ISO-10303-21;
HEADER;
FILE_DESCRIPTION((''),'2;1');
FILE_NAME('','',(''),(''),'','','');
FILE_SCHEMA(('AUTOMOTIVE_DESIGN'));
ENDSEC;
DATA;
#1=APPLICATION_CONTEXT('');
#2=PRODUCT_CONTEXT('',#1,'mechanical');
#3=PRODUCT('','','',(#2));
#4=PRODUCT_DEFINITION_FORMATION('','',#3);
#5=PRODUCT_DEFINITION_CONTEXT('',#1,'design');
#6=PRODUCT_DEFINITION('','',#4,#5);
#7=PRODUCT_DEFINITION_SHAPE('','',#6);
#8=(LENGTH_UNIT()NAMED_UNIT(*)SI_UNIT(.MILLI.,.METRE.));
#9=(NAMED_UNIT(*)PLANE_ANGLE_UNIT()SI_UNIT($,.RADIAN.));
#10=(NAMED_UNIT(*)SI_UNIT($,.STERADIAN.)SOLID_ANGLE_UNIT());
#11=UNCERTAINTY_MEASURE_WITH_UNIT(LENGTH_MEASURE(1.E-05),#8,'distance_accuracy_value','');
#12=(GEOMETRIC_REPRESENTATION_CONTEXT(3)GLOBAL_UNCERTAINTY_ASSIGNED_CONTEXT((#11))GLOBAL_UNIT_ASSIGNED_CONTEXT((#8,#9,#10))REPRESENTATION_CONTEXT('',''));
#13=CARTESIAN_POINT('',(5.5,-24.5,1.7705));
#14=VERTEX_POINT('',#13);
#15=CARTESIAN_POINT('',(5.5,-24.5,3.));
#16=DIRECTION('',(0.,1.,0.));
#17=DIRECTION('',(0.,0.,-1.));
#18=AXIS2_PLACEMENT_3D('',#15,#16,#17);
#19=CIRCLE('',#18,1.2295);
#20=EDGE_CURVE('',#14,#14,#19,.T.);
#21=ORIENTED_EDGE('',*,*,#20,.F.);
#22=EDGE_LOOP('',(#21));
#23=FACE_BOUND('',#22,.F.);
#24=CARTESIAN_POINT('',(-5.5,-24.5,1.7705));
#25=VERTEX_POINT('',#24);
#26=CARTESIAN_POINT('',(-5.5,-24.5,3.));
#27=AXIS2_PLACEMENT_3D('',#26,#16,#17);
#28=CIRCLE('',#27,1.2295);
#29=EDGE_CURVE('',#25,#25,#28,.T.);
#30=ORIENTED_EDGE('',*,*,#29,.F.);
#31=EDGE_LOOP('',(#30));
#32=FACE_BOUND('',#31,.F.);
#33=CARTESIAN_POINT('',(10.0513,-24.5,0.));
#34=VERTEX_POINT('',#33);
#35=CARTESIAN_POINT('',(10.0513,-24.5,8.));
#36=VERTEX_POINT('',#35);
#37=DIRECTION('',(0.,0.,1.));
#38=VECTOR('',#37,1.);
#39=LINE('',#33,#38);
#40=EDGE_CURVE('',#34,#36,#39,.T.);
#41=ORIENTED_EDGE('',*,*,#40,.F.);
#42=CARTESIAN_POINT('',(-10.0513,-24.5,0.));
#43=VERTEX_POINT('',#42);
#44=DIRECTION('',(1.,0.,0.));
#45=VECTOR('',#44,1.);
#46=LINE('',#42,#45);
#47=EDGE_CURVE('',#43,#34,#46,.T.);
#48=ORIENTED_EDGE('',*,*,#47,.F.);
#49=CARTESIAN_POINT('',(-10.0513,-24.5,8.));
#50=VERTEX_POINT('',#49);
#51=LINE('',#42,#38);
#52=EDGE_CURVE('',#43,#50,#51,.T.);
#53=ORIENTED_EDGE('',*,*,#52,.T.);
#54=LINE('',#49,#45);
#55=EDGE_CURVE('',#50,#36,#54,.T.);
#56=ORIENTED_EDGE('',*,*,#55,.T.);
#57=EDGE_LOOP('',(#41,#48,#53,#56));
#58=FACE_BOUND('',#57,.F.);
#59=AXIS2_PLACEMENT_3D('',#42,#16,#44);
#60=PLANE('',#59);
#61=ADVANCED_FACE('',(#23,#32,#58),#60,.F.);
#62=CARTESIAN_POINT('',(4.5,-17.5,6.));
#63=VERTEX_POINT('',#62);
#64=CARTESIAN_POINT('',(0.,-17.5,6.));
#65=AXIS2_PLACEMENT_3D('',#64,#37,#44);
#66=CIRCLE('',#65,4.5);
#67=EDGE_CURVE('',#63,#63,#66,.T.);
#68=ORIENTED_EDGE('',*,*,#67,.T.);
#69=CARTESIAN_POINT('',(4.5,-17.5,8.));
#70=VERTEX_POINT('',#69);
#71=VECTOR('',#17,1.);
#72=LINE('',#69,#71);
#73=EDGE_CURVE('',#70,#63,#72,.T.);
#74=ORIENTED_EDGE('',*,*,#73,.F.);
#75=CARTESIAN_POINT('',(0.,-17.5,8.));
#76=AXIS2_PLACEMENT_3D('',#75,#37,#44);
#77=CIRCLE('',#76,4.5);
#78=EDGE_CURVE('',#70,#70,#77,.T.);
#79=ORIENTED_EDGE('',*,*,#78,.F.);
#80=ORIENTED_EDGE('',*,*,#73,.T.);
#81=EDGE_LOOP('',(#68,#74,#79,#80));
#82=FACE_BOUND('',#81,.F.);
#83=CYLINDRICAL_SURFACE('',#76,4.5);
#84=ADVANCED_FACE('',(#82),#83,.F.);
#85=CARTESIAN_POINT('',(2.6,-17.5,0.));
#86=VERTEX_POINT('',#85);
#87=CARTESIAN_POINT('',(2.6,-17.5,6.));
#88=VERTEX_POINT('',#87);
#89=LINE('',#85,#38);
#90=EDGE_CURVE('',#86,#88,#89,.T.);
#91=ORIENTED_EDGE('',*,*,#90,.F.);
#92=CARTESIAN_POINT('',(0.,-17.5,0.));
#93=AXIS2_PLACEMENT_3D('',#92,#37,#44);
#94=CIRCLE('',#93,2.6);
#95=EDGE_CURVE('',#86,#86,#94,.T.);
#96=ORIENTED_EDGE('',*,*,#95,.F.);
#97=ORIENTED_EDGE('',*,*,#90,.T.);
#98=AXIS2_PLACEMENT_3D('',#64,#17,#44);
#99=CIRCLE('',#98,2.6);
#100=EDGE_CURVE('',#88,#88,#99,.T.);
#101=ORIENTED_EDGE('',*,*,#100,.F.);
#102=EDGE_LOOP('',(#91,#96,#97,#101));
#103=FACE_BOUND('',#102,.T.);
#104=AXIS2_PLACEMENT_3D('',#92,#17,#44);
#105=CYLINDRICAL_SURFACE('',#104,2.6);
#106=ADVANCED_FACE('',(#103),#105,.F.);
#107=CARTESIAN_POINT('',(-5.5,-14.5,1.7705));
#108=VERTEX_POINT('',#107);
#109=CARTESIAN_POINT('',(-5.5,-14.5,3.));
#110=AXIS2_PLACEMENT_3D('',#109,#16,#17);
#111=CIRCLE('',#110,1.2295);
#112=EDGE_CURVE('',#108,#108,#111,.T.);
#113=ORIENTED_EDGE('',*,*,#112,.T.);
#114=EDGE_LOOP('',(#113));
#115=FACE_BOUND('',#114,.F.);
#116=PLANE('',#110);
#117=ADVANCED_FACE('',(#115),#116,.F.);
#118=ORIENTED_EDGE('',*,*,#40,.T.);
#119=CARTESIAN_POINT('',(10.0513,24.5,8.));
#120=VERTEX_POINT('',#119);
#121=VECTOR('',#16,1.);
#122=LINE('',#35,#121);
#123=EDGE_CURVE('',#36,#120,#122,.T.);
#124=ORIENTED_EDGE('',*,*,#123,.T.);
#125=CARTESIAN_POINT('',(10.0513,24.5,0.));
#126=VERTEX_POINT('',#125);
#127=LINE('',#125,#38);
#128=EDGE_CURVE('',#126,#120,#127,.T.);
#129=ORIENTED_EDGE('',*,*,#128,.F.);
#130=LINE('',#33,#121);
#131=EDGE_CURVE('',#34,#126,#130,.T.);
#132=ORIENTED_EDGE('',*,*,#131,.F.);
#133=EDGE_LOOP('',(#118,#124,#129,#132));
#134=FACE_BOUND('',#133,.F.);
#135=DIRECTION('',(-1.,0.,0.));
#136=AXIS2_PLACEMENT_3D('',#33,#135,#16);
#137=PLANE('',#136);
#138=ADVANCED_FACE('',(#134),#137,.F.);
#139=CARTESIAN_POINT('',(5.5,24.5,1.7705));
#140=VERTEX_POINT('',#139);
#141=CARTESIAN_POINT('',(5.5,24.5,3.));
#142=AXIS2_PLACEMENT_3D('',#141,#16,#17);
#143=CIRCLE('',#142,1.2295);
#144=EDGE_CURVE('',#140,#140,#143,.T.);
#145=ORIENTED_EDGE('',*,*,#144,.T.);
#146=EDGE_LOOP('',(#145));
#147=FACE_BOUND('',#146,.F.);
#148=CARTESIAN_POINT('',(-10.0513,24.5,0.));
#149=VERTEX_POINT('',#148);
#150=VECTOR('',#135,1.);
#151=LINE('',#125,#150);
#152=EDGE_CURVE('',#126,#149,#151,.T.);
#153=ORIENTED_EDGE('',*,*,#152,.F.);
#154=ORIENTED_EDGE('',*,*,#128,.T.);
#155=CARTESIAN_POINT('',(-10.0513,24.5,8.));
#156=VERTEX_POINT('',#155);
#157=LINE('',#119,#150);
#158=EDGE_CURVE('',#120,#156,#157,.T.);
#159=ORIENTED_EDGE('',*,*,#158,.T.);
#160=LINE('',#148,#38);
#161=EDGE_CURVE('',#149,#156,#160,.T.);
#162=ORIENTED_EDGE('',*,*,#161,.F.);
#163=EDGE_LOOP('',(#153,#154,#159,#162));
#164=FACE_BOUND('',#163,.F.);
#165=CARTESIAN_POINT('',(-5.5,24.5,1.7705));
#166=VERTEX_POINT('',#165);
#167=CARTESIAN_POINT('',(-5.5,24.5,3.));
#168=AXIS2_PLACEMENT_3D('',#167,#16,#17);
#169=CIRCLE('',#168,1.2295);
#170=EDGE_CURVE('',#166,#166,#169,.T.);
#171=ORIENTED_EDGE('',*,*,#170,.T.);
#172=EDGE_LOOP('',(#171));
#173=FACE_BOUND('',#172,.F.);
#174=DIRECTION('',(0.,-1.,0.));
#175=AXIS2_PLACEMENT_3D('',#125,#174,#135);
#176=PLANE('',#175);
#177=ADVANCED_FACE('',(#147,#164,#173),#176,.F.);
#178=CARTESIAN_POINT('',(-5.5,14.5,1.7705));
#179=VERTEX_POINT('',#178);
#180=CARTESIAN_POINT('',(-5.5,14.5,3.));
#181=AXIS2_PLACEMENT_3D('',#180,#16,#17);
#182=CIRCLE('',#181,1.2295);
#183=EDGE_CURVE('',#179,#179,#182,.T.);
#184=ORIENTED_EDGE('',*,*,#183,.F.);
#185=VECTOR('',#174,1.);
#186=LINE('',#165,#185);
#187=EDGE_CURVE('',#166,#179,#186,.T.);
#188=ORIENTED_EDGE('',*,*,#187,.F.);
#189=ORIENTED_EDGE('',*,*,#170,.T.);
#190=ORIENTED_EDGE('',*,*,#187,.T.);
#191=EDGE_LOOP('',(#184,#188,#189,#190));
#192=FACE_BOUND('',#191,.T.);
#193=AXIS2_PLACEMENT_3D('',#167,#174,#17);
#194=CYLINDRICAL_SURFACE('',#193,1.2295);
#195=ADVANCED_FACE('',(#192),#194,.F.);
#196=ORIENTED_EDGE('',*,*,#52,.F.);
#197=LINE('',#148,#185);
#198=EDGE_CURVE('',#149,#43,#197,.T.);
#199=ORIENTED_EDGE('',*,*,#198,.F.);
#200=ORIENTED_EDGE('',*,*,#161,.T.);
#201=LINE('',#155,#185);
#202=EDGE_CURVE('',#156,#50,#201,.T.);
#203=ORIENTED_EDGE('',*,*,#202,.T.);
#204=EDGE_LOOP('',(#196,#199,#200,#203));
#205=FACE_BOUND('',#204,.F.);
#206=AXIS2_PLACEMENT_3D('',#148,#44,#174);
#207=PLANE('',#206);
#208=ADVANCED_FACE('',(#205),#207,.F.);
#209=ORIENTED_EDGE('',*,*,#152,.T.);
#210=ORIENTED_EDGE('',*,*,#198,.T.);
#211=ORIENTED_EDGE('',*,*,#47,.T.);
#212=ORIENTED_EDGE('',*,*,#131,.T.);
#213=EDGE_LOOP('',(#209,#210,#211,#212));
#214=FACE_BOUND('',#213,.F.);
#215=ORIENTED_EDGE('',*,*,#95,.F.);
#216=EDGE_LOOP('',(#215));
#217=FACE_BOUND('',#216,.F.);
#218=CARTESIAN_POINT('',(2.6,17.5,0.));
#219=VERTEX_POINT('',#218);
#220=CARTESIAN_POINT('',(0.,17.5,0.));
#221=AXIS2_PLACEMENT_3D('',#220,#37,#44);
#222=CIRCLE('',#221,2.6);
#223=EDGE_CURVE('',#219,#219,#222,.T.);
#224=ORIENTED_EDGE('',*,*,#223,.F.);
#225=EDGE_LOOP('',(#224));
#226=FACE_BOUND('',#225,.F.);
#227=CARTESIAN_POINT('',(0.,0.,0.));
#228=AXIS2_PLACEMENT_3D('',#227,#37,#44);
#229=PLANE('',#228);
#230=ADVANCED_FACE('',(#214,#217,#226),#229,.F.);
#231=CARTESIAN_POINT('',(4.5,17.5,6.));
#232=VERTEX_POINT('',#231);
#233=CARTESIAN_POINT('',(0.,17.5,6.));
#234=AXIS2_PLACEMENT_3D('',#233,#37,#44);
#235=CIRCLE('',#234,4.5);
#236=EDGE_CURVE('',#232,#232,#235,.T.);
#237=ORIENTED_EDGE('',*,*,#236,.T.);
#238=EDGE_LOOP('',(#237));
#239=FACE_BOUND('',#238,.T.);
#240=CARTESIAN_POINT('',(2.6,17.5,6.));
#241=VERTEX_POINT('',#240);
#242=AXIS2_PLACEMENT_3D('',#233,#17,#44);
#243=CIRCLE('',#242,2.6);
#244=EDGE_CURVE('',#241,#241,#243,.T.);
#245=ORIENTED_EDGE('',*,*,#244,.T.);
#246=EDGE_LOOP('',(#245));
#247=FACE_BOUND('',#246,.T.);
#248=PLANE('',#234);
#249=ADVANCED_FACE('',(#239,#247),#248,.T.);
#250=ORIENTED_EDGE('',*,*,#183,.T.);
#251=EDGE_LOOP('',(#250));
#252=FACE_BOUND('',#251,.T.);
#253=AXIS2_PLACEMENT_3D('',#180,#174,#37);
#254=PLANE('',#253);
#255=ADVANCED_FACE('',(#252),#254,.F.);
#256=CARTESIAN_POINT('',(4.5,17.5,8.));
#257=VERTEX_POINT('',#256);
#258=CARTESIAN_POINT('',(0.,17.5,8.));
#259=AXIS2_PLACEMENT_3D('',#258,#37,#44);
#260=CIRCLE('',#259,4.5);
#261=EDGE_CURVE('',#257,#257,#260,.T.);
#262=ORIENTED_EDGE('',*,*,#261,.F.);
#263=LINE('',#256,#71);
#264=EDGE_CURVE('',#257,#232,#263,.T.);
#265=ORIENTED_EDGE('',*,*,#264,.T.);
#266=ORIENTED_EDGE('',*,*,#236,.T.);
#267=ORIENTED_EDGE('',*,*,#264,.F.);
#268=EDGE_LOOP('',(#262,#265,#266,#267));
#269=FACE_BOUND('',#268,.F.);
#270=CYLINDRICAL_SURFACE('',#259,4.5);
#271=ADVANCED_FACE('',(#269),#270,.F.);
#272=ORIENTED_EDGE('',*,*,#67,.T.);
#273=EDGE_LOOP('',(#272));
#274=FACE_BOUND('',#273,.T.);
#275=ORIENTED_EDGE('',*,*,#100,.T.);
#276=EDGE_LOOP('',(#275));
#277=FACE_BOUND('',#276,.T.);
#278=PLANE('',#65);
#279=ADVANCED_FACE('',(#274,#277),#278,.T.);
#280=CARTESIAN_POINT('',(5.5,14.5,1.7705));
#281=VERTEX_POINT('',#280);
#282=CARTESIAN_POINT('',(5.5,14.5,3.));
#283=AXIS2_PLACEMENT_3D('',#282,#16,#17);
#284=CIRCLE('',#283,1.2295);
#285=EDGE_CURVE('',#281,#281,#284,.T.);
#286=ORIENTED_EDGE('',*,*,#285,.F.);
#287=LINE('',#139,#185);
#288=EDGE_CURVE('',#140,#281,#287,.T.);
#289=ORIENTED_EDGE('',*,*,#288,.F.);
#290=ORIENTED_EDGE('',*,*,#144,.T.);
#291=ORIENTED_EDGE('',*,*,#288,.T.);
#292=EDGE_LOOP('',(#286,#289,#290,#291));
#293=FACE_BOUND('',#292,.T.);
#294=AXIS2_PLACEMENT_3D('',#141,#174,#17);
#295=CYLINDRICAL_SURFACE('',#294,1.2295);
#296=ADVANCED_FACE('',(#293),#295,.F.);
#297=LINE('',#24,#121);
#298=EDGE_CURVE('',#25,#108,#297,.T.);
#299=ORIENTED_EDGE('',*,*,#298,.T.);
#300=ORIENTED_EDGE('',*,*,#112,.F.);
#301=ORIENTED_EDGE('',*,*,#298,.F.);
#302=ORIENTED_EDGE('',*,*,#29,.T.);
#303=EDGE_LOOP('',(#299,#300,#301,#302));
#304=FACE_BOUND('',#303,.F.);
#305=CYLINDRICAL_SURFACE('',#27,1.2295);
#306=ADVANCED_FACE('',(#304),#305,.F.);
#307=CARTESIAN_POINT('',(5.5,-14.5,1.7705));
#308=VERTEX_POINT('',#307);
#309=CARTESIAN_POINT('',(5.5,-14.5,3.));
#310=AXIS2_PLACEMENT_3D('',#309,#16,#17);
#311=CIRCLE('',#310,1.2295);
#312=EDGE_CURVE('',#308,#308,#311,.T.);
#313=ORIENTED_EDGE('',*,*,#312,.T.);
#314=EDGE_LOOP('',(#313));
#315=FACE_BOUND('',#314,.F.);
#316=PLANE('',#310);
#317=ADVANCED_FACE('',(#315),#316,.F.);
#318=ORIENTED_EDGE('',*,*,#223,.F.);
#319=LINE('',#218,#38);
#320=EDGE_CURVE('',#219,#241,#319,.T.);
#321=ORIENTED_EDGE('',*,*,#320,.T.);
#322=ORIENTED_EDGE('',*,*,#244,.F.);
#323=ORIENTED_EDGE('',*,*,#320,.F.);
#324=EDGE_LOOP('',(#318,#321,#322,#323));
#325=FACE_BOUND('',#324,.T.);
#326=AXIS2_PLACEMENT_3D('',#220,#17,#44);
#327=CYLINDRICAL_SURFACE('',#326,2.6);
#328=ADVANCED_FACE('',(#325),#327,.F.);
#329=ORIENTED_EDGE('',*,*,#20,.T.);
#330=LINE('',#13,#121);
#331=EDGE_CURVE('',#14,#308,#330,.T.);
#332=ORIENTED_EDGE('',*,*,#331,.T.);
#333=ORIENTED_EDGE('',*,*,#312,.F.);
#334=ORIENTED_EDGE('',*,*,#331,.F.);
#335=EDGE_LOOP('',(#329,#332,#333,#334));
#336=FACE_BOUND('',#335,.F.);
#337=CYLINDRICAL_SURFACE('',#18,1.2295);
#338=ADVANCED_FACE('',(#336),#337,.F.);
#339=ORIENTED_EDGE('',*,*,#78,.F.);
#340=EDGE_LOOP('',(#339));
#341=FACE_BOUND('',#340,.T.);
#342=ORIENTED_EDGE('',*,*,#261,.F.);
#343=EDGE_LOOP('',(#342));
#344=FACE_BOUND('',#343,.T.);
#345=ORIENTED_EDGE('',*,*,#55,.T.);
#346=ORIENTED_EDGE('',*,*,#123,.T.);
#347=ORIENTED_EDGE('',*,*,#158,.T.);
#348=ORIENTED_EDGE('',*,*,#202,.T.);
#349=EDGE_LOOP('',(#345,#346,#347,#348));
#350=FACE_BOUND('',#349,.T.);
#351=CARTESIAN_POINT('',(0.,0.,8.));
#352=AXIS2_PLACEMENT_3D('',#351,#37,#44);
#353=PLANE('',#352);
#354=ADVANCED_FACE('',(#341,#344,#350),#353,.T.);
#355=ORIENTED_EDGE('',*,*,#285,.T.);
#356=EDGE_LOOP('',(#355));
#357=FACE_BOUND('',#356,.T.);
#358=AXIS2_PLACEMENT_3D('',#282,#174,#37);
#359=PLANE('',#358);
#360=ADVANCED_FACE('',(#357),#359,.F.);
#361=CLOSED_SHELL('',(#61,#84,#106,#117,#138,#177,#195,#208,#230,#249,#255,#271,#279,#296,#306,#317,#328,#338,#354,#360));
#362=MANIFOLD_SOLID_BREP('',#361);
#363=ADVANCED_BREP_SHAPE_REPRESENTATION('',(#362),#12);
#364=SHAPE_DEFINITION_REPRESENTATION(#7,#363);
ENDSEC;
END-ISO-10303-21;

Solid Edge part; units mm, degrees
sketch "Sketch1" plane through (0, 0, 0) normal (0, 0, 1) x (1, 0, 0)
  line L0 (-10.0513, -24.5) -> (10.0513, -24.5)
  line L1 (10.0513, -24.5) -> (10.0513, 24.5)
  line L2 (10.0513, 24.5) -> (-10.0513, 24.5)
  line L3 (-10.0513, 24.5) -> (-10.0513, -24.5)
  circle A0 centre (0, 17.5) radius 2.6
  circle A1 centre (0, -17.5) radius 2.6
  dimension "D1" = 17.5
  dimension "D2" = 17.5
extrude "Protrusion1" add sketch "Sketch1" along normal blind 8
sketch "Sketch2" plane through (0, 0, 8) normal (0, 0, 1) x (1, 0, 0)
  circle A0 centre (0, 17.5) radius 4.5
  circle A1 centre (0, -17.5) radius 4.5
extrude "ExtrudedCutout_1" cut sketch "Sketch2" against normal blind 2
hole "Hole_1" at (-5.5, -24.5, 3) direction (0, 1, 0) diameter 2.459 depth 10 thread major 3 thread length 8
hole "Hole1" at (5.5, -24.5, 3) direction (0, 1, 0) diameter 2.459 depth 10 thread major 3 thread length 8
mirror "Mirror1" about plane through (0, 0, 0) normal (0, 1, 0) of "Hole_1", "Hole1"
